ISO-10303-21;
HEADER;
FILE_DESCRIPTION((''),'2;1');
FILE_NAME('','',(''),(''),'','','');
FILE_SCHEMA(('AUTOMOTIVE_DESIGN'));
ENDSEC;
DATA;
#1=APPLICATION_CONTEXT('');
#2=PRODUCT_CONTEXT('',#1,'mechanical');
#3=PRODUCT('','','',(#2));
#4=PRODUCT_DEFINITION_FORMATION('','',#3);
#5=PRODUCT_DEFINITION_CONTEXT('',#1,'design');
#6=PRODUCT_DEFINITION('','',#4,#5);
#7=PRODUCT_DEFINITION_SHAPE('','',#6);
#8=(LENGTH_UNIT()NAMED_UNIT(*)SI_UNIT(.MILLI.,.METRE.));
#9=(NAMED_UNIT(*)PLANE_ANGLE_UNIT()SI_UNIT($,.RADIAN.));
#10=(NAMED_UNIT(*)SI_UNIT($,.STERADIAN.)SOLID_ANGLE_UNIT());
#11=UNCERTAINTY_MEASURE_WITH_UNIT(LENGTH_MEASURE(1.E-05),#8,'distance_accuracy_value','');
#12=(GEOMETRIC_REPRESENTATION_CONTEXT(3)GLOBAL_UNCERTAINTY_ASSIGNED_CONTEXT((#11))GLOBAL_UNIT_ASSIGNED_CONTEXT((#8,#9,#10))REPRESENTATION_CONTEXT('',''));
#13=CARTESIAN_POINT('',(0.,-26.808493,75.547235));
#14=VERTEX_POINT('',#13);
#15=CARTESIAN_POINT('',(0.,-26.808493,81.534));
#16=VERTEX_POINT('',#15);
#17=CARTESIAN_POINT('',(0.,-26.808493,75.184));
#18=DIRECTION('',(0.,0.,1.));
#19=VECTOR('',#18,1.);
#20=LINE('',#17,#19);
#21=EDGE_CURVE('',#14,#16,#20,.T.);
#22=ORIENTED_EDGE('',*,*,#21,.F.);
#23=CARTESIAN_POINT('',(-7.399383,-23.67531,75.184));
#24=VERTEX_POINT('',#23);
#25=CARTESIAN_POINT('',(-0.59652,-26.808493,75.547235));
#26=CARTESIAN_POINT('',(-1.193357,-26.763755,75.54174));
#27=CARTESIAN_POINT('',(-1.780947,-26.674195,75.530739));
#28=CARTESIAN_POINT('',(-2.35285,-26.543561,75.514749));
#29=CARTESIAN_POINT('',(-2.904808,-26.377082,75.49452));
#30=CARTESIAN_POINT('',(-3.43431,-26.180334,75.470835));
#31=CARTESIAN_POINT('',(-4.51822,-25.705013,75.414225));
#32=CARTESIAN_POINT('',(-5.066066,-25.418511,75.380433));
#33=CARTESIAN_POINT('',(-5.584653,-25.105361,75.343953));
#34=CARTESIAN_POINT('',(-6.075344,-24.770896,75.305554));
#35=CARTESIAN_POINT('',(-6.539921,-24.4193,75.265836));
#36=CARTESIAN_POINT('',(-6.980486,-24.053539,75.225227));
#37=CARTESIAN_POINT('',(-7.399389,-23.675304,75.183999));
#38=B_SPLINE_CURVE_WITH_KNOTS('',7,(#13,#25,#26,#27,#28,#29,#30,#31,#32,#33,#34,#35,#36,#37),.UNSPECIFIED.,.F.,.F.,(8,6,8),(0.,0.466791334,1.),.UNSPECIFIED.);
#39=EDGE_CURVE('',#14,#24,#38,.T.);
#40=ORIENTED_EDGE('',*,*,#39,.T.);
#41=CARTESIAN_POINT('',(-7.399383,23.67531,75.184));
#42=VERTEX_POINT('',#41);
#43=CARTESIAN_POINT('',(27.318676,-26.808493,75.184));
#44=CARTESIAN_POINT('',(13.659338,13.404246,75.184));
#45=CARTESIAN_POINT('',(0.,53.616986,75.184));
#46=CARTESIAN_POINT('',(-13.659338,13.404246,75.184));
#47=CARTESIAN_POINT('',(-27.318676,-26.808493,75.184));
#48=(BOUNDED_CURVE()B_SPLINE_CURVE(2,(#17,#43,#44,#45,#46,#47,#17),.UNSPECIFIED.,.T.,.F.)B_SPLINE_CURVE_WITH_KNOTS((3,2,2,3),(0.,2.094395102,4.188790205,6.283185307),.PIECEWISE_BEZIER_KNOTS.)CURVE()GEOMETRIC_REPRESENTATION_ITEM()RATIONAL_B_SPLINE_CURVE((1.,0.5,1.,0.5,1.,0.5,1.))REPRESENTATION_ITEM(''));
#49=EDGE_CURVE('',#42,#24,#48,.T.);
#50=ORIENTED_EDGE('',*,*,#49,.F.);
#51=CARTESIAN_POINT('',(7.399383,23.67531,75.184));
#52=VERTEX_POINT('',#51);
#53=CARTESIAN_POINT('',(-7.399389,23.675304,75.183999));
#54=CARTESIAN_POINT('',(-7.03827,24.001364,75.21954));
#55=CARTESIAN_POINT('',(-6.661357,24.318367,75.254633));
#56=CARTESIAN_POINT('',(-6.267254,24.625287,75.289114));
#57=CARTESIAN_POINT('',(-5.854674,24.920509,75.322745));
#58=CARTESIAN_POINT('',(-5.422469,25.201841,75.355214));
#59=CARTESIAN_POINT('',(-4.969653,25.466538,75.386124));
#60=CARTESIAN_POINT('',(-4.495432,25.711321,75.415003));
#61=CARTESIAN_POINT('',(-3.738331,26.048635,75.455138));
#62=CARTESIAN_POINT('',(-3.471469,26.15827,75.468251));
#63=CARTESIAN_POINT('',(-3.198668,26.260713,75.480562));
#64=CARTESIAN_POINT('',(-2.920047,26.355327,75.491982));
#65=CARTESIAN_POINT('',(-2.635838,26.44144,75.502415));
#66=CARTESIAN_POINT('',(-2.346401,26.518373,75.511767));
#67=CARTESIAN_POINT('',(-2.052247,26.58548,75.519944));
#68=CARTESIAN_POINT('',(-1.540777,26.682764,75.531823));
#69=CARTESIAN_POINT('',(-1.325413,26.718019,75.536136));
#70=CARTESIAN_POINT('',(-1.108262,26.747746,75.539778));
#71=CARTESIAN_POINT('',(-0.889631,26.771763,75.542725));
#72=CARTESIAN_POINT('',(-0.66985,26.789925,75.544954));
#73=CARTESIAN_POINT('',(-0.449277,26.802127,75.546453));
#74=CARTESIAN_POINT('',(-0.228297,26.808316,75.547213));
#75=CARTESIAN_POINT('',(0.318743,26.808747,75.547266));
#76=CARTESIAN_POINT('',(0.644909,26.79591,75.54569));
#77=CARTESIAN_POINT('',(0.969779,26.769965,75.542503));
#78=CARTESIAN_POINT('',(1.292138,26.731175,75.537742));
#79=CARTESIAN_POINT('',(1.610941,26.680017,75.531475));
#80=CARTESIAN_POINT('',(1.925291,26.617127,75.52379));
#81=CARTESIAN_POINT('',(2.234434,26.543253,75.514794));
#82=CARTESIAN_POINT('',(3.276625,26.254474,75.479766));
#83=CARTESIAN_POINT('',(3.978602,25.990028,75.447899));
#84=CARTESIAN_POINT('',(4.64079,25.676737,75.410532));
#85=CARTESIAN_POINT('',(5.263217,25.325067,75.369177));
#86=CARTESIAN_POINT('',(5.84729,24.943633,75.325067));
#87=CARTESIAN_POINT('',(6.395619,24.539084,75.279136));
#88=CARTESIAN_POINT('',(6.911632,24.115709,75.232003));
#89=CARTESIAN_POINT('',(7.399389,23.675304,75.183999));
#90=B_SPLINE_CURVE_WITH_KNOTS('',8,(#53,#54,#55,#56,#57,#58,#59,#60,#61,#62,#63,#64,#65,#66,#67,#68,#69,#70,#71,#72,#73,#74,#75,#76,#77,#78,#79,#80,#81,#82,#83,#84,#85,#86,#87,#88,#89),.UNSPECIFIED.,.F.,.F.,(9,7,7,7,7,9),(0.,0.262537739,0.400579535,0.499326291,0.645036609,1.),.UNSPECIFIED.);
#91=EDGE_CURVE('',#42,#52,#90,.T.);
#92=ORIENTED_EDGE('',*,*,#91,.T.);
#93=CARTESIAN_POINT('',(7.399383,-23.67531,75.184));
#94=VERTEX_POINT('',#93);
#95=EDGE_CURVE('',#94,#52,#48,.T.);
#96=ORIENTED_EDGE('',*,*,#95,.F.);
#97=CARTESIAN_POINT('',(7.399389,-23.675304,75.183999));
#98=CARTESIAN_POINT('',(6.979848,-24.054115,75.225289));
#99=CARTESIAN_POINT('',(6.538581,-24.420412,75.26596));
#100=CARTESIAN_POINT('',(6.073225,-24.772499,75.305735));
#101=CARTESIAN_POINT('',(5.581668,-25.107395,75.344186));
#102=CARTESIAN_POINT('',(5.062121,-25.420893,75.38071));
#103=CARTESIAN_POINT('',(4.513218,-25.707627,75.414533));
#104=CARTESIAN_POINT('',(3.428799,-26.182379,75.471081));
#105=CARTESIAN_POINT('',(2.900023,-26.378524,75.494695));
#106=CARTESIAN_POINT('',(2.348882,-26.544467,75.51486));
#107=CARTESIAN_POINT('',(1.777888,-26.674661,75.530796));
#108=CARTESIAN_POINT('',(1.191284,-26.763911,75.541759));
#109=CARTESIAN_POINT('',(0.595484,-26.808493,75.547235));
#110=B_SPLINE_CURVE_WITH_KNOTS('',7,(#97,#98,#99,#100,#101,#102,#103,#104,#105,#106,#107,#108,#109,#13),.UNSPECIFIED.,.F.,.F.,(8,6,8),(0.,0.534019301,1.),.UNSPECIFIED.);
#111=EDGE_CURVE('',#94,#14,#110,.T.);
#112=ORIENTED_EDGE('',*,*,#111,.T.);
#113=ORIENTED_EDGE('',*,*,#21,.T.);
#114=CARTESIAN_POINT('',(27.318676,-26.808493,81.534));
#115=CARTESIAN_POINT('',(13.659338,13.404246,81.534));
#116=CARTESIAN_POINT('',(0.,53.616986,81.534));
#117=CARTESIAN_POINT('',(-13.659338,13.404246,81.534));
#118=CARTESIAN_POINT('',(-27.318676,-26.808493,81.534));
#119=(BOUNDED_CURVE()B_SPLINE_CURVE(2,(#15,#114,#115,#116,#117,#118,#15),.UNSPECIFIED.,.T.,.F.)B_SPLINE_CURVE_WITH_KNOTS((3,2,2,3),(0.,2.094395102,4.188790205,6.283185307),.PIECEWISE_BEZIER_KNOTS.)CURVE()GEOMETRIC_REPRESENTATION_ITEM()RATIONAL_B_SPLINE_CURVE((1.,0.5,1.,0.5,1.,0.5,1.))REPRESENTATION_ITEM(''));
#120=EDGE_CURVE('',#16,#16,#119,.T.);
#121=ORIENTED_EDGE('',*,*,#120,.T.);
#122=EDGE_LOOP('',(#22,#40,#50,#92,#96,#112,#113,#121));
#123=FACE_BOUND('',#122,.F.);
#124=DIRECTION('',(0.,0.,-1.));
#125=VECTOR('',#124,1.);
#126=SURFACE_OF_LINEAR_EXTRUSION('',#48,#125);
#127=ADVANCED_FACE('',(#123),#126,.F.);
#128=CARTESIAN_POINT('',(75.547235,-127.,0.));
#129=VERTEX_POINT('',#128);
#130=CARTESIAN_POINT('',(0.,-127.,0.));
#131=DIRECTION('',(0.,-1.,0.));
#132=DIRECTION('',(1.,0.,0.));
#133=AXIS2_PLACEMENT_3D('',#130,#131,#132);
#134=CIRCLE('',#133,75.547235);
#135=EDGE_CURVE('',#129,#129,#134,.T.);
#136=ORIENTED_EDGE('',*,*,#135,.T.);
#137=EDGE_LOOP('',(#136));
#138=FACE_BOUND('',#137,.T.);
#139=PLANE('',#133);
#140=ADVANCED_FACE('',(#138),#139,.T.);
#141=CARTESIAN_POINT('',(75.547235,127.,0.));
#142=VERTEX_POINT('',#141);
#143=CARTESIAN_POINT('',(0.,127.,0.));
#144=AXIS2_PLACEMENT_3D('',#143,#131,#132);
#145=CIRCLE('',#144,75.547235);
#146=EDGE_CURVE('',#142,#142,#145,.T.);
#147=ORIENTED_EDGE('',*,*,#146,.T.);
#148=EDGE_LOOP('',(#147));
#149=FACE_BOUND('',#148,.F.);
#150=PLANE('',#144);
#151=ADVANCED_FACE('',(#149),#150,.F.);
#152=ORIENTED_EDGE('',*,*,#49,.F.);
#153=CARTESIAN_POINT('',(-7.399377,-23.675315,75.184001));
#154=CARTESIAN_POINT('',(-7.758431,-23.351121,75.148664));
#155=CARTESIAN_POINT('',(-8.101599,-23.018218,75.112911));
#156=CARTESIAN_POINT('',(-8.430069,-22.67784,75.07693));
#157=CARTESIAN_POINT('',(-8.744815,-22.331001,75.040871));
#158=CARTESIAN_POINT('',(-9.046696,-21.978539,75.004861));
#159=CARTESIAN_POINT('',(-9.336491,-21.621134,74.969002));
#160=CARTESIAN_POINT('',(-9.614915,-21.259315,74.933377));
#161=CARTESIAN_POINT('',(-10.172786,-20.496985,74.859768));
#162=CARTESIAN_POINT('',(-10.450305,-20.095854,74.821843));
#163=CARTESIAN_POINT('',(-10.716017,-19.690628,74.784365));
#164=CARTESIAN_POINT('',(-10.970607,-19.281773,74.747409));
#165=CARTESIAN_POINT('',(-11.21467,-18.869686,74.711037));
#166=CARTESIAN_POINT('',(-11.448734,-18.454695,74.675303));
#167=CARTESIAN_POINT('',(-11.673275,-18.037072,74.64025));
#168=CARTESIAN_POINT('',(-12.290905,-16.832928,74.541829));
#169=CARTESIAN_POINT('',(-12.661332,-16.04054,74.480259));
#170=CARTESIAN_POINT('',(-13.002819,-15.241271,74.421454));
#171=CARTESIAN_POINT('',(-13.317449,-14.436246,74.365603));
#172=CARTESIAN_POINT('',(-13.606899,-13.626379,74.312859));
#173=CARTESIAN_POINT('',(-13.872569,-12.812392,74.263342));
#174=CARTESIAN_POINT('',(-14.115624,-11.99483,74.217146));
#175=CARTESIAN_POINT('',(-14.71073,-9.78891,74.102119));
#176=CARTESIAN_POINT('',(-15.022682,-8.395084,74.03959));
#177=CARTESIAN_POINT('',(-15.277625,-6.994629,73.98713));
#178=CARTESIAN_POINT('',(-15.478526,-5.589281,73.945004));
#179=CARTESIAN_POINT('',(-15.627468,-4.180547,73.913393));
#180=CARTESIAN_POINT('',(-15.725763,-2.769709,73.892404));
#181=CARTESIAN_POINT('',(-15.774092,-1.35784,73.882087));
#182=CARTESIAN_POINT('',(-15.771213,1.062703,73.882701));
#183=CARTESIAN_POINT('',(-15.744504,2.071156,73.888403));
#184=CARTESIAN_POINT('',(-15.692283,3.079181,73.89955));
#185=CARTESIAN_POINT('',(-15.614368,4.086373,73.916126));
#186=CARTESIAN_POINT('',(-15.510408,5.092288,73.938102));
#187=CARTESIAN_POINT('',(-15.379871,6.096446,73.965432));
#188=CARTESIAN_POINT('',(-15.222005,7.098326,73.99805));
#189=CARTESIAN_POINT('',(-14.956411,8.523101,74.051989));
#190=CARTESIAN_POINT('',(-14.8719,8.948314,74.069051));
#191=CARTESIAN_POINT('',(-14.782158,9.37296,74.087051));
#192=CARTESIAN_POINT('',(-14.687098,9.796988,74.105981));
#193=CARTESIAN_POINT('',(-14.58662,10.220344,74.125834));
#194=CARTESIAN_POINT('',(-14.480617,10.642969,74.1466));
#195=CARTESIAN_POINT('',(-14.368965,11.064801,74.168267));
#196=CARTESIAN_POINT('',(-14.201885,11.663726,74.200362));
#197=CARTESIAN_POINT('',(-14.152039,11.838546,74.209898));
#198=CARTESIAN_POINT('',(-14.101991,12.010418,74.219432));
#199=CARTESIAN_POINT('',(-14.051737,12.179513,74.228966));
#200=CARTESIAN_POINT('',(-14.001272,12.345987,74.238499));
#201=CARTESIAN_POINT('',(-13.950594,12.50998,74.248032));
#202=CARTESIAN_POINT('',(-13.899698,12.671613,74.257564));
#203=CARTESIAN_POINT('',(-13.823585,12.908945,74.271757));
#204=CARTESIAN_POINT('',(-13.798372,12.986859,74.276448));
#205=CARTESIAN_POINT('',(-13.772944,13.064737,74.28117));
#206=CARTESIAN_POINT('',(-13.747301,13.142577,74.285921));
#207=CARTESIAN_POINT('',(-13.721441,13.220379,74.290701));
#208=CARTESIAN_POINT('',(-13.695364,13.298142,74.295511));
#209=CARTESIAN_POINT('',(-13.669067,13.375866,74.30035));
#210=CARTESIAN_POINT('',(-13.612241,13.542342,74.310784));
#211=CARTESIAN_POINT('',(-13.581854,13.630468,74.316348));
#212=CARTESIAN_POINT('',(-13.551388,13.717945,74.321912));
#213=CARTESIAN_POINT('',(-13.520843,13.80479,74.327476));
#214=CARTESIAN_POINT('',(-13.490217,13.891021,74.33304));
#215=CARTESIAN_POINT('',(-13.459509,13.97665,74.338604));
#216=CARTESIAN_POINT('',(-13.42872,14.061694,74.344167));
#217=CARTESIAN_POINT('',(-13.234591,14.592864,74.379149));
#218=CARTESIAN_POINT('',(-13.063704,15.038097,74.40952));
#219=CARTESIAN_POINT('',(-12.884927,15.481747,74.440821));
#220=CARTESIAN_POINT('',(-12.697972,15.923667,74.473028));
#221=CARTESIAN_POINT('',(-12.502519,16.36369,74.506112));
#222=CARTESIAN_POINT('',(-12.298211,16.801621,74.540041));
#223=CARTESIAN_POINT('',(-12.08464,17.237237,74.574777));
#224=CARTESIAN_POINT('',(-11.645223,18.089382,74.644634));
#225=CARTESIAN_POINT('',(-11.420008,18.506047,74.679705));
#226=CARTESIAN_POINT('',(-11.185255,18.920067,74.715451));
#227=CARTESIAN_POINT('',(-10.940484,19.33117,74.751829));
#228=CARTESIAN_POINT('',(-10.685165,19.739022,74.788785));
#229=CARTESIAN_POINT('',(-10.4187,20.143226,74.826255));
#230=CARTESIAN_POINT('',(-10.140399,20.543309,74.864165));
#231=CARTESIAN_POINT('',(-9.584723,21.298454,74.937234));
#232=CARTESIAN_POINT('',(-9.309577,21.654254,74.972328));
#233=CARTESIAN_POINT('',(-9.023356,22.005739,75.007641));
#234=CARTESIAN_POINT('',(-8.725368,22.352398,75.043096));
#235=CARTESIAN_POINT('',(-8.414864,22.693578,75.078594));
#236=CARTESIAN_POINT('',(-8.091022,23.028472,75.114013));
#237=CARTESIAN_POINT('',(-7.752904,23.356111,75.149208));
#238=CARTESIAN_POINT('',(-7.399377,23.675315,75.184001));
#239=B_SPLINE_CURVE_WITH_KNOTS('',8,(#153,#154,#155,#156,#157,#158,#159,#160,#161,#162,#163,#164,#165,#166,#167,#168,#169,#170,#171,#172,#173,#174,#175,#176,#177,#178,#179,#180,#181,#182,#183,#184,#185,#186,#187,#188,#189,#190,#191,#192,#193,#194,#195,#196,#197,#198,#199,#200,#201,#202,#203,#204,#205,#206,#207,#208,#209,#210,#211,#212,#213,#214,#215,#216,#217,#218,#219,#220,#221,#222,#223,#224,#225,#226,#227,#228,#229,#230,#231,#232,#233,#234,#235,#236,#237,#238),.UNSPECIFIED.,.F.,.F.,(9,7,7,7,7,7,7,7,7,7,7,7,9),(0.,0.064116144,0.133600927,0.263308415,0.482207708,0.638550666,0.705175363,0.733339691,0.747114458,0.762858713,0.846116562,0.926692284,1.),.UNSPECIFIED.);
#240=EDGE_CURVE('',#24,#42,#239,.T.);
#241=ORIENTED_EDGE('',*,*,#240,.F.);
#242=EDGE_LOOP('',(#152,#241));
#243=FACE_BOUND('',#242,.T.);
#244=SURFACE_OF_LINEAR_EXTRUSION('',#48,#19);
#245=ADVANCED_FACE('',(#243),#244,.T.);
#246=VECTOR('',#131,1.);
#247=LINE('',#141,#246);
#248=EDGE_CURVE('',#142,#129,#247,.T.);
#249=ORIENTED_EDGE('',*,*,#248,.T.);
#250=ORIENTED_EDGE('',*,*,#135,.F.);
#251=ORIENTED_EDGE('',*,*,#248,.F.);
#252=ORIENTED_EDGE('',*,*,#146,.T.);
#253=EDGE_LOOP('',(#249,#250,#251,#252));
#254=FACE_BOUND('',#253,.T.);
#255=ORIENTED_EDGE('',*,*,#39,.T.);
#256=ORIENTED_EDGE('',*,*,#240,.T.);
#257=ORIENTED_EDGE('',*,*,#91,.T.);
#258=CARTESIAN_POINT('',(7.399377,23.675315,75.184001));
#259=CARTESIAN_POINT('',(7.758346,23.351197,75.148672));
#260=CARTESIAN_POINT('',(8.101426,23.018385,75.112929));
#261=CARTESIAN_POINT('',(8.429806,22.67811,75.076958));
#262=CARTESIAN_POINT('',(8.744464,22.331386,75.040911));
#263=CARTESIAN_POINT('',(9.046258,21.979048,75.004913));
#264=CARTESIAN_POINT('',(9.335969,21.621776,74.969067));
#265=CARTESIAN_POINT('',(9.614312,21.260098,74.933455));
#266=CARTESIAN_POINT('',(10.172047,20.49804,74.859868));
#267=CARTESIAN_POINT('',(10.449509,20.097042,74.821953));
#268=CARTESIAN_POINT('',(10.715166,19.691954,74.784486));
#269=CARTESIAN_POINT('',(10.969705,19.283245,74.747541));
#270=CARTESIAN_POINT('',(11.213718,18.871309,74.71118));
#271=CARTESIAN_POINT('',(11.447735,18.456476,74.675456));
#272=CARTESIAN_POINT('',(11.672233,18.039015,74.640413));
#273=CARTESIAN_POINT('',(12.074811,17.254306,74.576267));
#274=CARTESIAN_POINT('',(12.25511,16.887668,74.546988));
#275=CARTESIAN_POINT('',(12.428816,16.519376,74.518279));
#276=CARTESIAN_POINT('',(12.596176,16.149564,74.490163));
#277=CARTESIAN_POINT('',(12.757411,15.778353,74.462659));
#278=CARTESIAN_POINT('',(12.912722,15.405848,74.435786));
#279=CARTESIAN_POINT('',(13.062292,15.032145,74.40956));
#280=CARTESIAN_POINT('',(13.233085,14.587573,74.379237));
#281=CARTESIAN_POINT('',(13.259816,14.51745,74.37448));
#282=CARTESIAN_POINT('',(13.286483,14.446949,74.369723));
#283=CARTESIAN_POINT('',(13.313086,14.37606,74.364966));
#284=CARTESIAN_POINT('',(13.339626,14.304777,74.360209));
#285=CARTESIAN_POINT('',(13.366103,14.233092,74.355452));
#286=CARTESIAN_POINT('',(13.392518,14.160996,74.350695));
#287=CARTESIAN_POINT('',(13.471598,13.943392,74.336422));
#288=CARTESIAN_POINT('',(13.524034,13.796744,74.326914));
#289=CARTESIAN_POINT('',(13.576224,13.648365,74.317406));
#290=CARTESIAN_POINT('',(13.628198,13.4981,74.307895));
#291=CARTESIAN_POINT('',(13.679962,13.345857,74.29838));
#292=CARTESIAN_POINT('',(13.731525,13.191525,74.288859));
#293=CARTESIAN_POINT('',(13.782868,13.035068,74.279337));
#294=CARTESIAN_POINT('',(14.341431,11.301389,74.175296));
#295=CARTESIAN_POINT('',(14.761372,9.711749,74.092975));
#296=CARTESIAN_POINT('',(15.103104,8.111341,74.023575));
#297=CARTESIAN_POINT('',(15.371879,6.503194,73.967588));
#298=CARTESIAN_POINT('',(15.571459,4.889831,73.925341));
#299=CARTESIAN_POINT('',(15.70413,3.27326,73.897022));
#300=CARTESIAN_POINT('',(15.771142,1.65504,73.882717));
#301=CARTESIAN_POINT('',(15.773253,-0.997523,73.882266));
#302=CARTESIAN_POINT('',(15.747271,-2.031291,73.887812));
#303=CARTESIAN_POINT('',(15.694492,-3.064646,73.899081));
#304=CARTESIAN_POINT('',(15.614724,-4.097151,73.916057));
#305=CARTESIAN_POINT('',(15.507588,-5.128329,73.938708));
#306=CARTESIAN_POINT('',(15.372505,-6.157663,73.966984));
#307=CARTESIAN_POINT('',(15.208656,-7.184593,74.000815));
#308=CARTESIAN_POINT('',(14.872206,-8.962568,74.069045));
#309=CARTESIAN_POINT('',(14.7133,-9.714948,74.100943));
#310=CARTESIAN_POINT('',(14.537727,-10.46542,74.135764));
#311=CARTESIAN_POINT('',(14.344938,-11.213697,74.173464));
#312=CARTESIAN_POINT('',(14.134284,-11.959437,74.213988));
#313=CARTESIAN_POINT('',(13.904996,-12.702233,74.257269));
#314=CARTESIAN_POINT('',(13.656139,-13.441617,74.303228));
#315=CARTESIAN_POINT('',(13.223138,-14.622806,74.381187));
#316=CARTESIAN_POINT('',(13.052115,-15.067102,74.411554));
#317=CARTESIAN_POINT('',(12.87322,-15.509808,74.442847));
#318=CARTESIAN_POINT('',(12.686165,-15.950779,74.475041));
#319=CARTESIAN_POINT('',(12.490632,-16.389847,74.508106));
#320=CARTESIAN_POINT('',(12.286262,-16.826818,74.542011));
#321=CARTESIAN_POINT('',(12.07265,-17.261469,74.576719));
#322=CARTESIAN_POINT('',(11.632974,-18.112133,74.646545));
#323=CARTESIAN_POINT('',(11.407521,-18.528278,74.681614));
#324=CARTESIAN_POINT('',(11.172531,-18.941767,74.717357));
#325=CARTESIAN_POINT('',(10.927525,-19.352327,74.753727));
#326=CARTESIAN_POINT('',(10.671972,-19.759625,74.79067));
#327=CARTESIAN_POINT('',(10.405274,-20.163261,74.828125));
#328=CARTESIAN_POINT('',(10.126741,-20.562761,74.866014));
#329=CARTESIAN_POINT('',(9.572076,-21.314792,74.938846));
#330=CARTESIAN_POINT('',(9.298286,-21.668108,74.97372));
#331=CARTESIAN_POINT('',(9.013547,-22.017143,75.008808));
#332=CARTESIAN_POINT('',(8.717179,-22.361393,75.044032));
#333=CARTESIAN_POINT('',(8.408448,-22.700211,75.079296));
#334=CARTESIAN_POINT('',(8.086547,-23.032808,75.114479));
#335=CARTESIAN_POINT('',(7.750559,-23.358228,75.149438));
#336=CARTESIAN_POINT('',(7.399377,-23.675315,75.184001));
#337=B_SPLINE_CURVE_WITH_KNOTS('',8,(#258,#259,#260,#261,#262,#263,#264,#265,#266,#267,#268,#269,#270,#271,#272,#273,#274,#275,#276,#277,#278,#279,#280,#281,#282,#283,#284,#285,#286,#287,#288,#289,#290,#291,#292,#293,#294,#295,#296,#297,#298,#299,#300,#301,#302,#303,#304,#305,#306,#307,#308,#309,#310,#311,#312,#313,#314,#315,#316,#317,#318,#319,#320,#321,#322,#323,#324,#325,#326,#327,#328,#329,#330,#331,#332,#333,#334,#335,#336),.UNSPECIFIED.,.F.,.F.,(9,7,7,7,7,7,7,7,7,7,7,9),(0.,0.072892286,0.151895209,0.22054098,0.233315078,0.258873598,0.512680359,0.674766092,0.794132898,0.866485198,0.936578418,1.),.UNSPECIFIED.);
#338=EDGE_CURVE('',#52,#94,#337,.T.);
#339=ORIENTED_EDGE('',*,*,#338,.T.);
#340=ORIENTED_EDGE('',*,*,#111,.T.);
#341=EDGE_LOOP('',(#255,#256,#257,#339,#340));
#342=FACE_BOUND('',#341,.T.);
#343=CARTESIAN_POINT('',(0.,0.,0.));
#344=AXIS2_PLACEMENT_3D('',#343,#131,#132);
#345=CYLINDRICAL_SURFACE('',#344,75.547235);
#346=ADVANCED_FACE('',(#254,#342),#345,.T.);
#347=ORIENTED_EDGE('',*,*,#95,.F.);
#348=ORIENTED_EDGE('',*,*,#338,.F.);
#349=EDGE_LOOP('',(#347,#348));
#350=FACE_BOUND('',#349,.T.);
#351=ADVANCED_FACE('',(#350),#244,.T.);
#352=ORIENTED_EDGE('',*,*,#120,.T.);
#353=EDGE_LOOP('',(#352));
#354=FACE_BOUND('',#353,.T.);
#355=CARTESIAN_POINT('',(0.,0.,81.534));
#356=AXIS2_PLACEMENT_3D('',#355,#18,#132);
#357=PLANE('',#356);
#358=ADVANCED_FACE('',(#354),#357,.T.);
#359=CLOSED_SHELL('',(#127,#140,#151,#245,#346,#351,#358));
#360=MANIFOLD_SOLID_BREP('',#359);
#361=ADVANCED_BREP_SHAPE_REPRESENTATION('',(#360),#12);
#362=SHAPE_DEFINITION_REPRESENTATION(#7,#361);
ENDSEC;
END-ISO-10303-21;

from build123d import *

# Parameters (mm, degrees)
F0_R     = 75.5472350888
F1_DEPTH = 127
F4_DEPTH = 6.35


with BuildPart() as f1:
    # F0 (on Front) → F1 (new body, symmetric)
    with BuildSketch(Plane.XZ):
        Circle(F0_R)
    extrude(amount=F1_DEPTH, both=True)

    # F3 (on offset) → F4 (join, symmetric)
    with BuildSketch(Plane.XY.offset(75.184)):
        with BuildLine():
            add(Edge.make_bspline(
                [(0, -26.8084928393), (27.3186761033, -26.8084928393), (13.6593380516, 13.4042464197), (0, 53.6169856787), (-13.6593380516, 13.4042464197), (-27.3186761033, -26.8084928393), (0, -26.8084928393)],
                knots=[0, 0, 0, 2.0943951024, 2.0943951024, 4.1887902048, 4.1887902048, 6.2831853072, 6.2831853072, 6.2831853072], degree=2, weights=[1, 0.5, 1, 0.5, 1, 0.5, 1]))
        make_face()
    extrude(amount=F4_DEPTH, both=True)


solid = f1.part
